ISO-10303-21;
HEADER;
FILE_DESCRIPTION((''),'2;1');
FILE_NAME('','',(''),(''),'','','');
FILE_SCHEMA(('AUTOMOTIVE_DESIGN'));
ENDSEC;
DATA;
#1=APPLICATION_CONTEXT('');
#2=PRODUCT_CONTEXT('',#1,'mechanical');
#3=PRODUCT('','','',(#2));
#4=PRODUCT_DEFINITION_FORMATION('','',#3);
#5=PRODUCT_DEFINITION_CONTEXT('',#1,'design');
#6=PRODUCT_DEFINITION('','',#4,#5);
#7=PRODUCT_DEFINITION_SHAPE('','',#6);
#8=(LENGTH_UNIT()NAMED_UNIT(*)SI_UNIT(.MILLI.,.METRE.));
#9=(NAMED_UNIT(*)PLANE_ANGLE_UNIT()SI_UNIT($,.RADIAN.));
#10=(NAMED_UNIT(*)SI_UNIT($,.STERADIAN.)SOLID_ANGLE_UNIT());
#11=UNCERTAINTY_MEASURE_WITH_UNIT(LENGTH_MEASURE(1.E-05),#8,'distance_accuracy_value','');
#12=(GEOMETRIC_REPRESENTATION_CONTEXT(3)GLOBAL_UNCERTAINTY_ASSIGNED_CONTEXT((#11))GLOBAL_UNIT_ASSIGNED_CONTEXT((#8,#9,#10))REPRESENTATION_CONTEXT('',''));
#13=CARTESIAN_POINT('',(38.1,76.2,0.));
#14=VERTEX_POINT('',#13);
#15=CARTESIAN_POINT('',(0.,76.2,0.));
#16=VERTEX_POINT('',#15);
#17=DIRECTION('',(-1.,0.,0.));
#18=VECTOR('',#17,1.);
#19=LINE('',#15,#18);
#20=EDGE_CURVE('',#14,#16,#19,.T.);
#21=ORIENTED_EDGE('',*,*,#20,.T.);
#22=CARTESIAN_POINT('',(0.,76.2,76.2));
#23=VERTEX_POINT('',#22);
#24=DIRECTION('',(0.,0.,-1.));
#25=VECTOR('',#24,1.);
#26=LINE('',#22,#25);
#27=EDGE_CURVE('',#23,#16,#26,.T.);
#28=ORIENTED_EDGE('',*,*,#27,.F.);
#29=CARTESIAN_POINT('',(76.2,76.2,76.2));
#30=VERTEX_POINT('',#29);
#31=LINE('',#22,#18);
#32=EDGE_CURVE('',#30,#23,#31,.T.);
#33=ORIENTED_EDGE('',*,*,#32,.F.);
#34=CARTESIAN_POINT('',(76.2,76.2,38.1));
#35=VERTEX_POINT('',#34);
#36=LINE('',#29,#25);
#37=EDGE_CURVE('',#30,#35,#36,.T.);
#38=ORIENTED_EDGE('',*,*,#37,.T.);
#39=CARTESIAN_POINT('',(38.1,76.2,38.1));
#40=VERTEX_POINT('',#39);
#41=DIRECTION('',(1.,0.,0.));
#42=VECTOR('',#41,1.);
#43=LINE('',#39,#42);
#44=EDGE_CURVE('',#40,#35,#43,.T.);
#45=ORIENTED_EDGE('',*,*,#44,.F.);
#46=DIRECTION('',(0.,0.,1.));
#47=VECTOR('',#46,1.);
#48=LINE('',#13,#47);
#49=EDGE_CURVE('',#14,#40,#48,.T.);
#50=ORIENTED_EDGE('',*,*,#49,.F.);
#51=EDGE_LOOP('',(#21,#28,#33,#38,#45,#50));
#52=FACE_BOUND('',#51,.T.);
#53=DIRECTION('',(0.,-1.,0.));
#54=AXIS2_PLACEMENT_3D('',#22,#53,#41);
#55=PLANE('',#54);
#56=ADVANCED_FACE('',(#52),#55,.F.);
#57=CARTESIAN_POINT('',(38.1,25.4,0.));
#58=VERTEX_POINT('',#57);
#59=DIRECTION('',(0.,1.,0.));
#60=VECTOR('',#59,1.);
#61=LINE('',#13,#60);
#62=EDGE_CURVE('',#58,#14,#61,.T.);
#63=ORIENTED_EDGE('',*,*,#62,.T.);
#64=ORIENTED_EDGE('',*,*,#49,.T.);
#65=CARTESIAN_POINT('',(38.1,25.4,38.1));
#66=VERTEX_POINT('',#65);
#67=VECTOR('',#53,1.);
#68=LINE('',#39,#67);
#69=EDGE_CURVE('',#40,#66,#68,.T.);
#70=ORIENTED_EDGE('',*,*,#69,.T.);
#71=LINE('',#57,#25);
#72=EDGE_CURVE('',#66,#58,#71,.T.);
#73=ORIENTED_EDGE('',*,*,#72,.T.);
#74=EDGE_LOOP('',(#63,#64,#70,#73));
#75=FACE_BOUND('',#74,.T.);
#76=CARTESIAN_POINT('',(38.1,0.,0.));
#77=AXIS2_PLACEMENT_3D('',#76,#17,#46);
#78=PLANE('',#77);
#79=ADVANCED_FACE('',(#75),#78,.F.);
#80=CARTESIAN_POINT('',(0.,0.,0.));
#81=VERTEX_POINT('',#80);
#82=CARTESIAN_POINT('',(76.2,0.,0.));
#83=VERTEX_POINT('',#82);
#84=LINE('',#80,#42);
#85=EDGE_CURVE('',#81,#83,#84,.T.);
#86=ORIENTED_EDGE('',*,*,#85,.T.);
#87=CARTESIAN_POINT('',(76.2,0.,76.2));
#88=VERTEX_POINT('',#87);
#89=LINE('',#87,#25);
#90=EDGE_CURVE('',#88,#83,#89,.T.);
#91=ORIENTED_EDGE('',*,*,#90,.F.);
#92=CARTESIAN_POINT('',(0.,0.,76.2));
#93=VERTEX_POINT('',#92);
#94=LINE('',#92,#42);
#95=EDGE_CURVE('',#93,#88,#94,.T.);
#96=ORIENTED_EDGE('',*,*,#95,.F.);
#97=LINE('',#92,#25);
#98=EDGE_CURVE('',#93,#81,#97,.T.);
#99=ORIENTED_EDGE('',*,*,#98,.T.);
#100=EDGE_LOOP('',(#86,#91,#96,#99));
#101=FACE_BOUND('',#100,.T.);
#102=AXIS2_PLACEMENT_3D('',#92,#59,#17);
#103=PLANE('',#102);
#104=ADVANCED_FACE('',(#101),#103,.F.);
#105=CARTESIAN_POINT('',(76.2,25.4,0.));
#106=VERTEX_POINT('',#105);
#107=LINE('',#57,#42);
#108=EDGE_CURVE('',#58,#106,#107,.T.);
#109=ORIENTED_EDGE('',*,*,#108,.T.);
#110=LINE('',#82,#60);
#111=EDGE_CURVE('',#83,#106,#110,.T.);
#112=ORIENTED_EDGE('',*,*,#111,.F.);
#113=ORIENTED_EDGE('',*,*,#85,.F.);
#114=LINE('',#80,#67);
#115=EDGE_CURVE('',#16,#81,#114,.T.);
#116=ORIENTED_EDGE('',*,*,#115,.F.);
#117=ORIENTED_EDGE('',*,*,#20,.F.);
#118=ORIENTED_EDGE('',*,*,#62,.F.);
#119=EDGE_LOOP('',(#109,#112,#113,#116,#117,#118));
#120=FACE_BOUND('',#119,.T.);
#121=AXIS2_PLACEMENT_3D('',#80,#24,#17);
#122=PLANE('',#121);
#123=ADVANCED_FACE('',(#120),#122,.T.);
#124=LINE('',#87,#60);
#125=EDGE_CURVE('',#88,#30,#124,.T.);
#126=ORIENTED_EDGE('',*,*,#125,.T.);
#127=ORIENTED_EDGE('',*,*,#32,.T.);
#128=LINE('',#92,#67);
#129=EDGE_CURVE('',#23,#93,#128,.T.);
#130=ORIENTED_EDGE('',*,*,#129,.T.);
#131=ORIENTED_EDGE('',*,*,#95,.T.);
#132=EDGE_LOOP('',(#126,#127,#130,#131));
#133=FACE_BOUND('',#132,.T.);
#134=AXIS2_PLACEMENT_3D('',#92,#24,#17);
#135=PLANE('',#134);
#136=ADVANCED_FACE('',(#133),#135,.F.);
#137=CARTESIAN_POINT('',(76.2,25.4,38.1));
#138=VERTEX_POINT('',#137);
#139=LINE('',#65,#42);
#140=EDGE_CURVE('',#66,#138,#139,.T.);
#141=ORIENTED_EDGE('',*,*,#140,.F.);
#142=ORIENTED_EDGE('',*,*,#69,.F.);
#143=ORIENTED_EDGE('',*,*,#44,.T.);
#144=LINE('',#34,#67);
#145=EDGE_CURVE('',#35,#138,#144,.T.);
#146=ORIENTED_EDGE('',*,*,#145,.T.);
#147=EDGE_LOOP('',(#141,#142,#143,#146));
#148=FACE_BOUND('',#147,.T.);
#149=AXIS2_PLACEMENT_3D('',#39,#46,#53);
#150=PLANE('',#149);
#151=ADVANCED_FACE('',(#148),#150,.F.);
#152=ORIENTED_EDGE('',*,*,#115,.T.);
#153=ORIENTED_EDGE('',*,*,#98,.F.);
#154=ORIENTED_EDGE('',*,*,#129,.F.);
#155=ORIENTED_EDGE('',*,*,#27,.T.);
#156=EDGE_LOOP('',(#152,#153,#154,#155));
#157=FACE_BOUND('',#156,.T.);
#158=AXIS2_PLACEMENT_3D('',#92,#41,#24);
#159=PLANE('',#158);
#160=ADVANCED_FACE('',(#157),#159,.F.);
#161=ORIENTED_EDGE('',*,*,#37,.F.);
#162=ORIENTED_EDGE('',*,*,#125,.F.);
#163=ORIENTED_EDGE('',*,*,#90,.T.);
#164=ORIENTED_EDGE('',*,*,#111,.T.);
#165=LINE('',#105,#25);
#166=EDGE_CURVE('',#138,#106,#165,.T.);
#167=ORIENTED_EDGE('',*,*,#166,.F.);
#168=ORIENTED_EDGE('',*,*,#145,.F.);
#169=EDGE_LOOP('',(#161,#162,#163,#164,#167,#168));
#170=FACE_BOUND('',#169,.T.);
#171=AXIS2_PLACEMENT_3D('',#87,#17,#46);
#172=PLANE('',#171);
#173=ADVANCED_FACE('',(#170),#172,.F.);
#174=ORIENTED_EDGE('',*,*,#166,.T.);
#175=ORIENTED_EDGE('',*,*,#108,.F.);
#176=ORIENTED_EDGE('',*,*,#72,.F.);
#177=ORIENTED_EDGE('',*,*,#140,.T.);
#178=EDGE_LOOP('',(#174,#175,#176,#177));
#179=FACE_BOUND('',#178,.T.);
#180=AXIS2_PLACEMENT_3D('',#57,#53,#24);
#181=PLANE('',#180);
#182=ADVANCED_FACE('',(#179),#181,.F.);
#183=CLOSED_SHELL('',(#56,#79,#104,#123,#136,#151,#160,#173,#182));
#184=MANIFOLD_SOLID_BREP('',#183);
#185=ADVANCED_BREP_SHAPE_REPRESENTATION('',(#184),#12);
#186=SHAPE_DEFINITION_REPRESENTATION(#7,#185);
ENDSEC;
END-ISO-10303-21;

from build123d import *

# Parameters (mm, degrees)
SKETCH1_W           = 76.2
SKETCH1_H           = 76.2
BOSS_EXTRUDE1_DEPTH = 76.2
SKETCH2_W           = 38.1
SKETCH2_H           = 50.8
CUT_EXTRUDE1_DEPTH  = 38.1


with BuildPart() as part:
    # Sketch1 → Boss-Extrude1 (new body)
    with BuildSketch(Plane.XY):
        with Locations((38.1, 38.1)):
            Rectangle(SKETCH1_W, SKETCH1_H)
    extrude(amount=BOSS_EXTRUDE1_DEPTH)

    # Sketch2 → Cut-Extrude1 (cut)
    with BuildSketch(Plane(origin=(76.2, 0, 0), x_dir=(0, 0, -1), z_dir=(1, 0, 0))):
        with Locations((-19.05, 50.8)):
            Rectangle(SKETCH2_W, SKETCH2_H)
    extrude(amount=-CUT_EXTRUDE1_DEPTH, mode=Mode.SUBTRACT)


solid = part.part
